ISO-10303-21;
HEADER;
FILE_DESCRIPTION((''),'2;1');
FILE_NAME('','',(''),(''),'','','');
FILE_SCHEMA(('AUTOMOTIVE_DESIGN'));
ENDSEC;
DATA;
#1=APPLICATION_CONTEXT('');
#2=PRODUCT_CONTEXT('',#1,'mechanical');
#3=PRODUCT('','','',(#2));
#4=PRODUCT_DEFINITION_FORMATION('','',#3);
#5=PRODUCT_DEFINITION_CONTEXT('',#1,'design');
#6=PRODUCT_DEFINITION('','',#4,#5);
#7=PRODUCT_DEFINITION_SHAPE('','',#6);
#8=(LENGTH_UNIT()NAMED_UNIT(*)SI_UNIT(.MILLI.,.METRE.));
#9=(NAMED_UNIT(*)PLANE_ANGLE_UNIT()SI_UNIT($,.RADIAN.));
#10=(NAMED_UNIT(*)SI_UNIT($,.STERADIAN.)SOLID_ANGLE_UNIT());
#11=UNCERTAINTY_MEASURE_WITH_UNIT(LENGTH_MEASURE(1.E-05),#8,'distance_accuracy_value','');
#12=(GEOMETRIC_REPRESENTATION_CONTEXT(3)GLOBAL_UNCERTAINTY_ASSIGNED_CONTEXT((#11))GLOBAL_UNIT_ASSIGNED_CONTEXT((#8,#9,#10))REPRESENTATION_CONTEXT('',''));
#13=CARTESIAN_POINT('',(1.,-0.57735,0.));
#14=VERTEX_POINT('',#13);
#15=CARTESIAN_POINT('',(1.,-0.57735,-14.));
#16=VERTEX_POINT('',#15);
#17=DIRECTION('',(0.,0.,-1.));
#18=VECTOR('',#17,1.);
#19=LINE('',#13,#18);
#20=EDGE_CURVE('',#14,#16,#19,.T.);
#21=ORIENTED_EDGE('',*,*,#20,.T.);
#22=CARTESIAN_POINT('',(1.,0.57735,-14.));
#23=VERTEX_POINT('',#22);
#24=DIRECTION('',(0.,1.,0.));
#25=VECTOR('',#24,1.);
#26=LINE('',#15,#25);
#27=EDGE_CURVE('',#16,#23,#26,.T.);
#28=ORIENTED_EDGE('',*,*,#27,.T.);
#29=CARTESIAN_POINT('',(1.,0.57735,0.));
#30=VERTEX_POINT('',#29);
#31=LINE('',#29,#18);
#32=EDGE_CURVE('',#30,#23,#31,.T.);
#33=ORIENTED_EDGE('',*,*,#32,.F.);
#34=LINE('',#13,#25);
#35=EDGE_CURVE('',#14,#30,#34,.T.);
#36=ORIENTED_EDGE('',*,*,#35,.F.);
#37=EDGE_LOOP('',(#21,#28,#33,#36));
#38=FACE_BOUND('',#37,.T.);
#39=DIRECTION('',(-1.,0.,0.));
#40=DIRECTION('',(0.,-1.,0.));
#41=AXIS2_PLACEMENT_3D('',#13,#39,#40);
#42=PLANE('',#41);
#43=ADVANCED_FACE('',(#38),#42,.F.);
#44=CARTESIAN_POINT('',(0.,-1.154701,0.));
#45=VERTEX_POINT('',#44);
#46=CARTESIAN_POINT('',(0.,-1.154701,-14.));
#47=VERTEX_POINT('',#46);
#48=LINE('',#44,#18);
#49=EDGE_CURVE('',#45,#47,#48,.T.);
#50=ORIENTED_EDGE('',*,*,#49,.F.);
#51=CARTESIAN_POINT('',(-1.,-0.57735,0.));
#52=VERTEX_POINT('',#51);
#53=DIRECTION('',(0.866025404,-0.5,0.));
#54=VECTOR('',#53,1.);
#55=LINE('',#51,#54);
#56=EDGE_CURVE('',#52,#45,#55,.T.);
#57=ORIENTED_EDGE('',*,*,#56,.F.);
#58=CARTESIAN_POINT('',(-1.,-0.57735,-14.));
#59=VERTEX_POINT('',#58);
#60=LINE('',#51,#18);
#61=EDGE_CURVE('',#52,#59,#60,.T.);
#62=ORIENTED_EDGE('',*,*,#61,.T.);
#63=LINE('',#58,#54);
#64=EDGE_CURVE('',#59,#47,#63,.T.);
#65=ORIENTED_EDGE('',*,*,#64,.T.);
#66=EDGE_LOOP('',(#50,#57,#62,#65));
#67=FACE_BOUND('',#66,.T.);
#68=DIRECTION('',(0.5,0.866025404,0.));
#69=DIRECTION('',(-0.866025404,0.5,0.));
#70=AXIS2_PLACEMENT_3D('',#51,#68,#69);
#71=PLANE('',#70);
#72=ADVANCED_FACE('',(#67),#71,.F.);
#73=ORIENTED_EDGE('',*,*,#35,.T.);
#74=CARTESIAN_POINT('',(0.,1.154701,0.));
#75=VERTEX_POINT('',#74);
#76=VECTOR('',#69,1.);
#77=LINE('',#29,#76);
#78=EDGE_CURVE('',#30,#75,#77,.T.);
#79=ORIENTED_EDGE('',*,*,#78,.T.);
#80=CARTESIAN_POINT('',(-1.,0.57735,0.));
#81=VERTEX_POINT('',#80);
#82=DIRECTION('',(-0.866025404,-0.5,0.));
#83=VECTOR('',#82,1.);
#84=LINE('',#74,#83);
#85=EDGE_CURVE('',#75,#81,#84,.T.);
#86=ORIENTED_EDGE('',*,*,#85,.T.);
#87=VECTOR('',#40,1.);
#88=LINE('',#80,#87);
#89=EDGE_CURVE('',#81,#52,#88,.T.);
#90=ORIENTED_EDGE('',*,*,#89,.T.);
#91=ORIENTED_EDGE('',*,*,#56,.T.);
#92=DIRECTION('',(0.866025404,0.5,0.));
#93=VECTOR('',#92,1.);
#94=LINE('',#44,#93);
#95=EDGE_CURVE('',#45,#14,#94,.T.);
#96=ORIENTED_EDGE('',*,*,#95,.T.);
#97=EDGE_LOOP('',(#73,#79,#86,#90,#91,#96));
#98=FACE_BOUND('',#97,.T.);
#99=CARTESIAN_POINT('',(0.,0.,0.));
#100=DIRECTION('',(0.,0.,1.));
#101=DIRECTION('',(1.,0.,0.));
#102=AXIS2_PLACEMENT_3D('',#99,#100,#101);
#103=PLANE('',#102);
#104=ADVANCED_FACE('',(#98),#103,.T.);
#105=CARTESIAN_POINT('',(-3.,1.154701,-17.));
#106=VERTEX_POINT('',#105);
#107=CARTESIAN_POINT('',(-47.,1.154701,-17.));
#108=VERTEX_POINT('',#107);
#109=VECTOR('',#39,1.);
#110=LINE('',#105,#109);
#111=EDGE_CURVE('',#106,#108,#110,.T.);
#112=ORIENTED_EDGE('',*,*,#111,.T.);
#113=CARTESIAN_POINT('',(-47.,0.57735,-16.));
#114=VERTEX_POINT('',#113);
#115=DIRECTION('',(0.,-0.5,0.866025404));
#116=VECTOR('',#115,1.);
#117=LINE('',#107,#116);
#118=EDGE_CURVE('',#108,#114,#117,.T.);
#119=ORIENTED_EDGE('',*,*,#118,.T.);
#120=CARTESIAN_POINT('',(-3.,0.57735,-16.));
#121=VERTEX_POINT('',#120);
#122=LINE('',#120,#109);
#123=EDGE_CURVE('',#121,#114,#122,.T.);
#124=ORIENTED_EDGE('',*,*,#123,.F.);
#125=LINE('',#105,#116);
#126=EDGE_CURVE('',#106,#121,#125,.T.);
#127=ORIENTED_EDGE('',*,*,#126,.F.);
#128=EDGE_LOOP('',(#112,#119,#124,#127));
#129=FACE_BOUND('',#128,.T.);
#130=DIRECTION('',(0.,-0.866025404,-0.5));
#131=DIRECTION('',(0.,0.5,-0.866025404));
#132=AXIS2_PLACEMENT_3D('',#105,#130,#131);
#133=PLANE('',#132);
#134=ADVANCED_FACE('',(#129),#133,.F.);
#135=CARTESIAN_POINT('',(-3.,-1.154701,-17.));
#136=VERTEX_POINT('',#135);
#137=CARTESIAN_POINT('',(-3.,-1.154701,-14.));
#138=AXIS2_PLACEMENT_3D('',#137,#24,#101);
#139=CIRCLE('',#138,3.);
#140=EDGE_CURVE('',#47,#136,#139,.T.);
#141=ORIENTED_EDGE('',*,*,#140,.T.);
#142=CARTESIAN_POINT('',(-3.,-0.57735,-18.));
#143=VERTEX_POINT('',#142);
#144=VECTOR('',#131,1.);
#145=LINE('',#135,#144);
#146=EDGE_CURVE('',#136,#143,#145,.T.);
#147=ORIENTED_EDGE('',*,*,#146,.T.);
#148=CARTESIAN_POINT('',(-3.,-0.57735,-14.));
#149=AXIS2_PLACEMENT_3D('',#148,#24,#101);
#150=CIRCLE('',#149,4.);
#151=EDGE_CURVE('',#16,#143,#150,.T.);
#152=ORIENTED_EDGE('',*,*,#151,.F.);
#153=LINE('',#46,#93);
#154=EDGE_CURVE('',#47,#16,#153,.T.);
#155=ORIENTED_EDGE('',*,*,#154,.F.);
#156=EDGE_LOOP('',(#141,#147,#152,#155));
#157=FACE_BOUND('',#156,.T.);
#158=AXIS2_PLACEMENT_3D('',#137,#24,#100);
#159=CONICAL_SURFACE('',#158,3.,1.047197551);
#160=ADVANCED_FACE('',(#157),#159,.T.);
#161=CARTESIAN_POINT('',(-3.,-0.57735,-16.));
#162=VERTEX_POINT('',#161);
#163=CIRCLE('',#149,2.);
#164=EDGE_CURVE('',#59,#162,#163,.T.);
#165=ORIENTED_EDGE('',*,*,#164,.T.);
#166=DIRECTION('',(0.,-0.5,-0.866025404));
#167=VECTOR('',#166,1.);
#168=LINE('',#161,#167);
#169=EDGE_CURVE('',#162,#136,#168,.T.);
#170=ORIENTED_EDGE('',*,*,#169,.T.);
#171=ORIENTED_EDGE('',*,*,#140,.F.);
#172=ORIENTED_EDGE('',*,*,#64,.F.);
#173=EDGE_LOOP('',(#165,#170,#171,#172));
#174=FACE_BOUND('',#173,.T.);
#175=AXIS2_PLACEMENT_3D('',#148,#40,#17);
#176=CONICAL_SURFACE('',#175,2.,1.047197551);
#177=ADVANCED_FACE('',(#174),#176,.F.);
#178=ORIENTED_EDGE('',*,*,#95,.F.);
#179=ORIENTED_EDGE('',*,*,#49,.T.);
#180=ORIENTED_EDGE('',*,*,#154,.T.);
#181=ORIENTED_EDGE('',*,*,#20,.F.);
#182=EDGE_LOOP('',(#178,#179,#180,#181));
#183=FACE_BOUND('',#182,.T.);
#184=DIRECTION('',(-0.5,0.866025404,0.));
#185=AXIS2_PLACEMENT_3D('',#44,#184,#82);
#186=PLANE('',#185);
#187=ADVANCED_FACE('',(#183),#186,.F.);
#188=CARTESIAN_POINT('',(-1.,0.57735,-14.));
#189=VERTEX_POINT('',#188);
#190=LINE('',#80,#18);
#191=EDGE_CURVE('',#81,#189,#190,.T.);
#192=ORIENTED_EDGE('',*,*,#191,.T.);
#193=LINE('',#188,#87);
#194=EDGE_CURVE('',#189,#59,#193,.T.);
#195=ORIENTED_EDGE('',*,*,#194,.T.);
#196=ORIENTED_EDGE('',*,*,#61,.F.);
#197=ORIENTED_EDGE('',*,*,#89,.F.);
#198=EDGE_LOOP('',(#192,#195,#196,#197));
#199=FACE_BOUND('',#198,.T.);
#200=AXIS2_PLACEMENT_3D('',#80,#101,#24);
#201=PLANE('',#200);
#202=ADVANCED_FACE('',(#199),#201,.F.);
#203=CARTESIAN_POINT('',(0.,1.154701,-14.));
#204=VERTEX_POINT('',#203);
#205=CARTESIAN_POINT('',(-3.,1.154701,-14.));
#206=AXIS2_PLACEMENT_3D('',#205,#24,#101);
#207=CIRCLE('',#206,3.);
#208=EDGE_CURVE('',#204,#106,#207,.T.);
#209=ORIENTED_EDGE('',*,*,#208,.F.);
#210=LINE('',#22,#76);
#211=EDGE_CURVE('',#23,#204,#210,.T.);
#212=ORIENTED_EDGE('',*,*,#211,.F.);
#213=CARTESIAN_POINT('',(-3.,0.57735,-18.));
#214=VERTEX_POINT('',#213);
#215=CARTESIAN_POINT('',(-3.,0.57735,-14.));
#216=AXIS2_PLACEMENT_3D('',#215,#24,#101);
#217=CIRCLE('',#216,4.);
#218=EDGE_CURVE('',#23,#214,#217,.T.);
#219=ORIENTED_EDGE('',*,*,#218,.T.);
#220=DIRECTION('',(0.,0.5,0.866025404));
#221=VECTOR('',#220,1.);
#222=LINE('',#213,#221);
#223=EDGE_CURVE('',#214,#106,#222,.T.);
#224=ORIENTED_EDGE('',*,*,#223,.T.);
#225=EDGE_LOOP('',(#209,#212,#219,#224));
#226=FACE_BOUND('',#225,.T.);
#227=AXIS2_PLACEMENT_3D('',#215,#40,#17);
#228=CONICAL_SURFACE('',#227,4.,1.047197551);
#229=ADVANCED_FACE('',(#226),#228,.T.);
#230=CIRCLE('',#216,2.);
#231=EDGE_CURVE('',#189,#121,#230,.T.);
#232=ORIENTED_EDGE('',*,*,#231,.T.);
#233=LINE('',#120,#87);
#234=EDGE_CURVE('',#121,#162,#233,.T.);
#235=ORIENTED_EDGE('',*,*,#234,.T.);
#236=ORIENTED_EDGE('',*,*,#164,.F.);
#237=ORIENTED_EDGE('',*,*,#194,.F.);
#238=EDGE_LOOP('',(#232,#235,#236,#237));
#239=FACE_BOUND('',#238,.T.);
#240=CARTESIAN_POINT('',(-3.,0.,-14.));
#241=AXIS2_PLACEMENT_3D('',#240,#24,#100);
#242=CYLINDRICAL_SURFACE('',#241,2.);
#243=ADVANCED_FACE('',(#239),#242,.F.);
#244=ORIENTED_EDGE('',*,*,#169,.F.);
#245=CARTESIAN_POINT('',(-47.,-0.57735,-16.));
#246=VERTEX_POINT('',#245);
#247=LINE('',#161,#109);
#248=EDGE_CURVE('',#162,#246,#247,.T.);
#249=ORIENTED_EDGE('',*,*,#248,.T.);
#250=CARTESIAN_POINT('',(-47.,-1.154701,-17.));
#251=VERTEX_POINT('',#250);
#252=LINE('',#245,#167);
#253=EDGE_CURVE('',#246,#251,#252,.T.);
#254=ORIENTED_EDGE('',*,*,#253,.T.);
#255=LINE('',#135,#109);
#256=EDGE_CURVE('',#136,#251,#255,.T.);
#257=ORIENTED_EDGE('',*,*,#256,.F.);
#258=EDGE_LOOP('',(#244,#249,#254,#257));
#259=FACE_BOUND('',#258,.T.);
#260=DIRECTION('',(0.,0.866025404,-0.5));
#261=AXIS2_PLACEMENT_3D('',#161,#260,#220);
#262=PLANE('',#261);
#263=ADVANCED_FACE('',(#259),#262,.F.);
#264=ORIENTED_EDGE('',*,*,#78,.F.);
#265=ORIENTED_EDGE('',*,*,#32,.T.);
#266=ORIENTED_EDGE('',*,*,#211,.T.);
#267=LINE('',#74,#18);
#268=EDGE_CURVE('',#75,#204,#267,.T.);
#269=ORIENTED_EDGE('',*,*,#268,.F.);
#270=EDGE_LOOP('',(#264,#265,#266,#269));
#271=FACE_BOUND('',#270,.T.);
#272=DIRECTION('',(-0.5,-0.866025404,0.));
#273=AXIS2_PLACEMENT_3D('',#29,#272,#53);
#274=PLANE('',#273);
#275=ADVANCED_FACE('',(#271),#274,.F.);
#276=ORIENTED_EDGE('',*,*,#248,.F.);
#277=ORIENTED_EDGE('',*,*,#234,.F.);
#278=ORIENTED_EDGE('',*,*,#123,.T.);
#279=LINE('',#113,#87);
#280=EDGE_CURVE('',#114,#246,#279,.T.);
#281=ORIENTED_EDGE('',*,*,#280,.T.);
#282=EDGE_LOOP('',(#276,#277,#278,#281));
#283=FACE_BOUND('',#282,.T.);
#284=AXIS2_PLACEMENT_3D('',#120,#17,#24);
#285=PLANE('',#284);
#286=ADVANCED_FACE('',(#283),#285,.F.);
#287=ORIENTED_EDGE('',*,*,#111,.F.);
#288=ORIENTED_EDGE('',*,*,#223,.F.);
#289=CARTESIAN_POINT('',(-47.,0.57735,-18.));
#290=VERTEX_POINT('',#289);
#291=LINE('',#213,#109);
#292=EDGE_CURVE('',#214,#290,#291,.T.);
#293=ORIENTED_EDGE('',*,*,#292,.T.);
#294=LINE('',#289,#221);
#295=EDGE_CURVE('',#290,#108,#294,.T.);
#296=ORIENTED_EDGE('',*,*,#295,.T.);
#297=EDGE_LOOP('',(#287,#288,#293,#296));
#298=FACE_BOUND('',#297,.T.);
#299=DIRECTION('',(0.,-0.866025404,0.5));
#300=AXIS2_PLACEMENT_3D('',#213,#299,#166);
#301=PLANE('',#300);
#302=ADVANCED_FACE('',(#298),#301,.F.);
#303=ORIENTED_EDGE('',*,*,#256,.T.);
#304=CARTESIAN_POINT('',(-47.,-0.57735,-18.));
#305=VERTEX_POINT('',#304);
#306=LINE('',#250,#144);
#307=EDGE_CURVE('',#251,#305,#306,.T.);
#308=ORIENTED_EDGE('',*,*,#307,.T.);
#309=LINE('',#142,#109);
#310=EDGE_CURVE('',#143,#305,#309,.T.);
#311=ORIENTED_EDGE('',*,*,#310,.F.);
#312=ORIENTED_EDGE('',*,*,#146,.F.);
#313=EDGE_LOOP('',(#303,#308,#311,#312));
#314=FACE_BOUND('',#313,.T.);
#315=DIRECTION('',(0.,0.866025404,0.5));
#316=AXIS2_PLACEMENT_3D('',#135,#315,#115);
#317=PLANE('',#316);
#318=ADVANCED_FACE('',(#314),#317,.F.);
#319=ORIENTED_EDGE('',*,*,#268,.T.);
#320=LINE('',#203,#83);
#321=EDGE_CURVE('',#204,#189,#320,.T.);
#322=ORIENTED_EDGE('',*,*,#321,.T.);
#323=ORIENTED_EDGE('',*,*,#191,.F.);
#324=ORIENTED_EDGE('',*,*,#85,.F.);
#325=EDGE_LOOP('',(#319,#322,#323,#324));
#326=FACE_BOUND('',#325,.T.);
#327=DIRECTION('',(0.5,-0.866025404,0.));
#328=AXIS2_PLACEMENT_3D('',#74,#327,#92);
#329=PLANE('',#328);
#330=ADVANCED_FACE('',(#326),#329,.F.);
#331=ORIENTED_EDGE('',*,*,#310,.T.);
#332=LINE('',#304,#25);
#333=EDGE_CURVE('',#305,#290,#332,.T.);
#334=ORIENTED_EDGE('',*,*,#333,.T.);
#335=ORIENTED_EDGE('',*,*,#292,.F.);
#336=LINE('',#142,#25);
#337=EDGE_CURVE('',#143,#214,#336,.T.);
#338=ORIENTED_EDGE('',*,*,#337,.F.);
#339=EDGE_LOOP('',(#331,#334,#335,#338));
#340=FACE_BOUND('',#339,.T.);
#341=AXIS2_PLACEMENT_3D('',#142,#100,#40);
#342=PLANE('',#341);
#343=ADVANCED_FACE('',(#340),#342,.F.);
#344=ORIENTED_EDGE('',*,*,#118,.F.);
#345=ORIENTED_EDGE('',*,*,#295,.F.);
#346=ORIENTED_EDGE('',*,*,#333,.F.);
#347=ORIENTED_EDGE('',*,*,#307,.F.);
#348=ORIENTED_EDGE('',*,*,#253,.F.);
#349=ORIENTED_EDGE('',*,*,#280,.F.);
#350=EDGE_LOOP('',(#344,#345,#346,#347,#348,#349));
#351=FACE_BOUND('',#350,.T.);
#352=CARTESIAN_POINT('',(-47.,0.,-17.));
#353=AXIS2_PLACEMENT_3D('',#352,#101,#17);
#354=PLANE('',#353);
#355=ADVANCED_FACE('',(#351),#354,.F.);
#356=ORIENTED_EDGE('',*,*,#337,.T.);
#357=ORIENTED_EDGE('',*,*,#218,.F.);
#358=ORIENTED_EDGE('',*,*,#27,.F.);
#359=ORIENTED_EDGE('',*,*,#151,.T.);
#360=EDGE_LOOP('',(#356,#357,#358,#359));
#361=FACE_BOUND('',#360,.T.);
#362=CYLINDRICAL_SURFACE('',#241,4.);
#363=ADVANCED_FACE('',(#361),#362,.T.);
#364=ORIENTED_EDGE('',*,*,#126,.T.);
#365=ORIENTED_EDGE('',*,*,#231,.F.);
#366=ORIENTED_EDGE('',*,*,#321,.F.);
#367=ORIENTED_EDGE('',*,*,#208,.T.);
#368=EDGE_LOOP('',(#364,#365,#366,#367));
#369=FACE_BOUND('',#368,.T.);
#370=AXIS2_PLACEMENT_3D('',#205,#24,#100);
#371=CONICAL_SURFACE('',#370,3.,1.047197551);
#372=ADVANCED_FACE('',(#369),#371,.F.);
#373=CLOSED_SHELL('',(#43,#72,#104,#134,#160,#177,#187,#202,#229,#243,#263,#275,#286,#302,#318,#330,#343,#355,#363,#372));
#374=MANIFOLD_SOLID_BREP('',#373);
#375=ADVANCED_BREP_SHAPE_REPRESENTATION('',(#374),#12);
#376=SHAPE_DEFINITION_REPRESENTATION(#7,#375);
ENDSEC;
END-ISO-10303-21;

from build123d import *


with BuildPart() as part:
    # Sweep1: sweep along a path in Sketch2
    with BuildLine(Plane(origin=(0, 0, 0), x_dir=(1, 0, 0), z_dir=(0, 1, 0))) as sweep1_path:
        Line((0, 0), (0, 14))
        ThreePointArc((0, 14), (-0.878679656, 16.121320344), (-3, 17))
        Line((-3, 17), (-47, 17))
    # Sketch1 → Sweep1 (sweep)
    with BuildSketch(Plane.XY):
        Polygon((0, 1.154700538), (-1, 0.577350269), (-1, -0.577350269), (0, -1.154700538), (1, -0.577350269), (1, 0.577350269), align=None)
    sweep(path=sweep1_path.line)


solid = part.part
